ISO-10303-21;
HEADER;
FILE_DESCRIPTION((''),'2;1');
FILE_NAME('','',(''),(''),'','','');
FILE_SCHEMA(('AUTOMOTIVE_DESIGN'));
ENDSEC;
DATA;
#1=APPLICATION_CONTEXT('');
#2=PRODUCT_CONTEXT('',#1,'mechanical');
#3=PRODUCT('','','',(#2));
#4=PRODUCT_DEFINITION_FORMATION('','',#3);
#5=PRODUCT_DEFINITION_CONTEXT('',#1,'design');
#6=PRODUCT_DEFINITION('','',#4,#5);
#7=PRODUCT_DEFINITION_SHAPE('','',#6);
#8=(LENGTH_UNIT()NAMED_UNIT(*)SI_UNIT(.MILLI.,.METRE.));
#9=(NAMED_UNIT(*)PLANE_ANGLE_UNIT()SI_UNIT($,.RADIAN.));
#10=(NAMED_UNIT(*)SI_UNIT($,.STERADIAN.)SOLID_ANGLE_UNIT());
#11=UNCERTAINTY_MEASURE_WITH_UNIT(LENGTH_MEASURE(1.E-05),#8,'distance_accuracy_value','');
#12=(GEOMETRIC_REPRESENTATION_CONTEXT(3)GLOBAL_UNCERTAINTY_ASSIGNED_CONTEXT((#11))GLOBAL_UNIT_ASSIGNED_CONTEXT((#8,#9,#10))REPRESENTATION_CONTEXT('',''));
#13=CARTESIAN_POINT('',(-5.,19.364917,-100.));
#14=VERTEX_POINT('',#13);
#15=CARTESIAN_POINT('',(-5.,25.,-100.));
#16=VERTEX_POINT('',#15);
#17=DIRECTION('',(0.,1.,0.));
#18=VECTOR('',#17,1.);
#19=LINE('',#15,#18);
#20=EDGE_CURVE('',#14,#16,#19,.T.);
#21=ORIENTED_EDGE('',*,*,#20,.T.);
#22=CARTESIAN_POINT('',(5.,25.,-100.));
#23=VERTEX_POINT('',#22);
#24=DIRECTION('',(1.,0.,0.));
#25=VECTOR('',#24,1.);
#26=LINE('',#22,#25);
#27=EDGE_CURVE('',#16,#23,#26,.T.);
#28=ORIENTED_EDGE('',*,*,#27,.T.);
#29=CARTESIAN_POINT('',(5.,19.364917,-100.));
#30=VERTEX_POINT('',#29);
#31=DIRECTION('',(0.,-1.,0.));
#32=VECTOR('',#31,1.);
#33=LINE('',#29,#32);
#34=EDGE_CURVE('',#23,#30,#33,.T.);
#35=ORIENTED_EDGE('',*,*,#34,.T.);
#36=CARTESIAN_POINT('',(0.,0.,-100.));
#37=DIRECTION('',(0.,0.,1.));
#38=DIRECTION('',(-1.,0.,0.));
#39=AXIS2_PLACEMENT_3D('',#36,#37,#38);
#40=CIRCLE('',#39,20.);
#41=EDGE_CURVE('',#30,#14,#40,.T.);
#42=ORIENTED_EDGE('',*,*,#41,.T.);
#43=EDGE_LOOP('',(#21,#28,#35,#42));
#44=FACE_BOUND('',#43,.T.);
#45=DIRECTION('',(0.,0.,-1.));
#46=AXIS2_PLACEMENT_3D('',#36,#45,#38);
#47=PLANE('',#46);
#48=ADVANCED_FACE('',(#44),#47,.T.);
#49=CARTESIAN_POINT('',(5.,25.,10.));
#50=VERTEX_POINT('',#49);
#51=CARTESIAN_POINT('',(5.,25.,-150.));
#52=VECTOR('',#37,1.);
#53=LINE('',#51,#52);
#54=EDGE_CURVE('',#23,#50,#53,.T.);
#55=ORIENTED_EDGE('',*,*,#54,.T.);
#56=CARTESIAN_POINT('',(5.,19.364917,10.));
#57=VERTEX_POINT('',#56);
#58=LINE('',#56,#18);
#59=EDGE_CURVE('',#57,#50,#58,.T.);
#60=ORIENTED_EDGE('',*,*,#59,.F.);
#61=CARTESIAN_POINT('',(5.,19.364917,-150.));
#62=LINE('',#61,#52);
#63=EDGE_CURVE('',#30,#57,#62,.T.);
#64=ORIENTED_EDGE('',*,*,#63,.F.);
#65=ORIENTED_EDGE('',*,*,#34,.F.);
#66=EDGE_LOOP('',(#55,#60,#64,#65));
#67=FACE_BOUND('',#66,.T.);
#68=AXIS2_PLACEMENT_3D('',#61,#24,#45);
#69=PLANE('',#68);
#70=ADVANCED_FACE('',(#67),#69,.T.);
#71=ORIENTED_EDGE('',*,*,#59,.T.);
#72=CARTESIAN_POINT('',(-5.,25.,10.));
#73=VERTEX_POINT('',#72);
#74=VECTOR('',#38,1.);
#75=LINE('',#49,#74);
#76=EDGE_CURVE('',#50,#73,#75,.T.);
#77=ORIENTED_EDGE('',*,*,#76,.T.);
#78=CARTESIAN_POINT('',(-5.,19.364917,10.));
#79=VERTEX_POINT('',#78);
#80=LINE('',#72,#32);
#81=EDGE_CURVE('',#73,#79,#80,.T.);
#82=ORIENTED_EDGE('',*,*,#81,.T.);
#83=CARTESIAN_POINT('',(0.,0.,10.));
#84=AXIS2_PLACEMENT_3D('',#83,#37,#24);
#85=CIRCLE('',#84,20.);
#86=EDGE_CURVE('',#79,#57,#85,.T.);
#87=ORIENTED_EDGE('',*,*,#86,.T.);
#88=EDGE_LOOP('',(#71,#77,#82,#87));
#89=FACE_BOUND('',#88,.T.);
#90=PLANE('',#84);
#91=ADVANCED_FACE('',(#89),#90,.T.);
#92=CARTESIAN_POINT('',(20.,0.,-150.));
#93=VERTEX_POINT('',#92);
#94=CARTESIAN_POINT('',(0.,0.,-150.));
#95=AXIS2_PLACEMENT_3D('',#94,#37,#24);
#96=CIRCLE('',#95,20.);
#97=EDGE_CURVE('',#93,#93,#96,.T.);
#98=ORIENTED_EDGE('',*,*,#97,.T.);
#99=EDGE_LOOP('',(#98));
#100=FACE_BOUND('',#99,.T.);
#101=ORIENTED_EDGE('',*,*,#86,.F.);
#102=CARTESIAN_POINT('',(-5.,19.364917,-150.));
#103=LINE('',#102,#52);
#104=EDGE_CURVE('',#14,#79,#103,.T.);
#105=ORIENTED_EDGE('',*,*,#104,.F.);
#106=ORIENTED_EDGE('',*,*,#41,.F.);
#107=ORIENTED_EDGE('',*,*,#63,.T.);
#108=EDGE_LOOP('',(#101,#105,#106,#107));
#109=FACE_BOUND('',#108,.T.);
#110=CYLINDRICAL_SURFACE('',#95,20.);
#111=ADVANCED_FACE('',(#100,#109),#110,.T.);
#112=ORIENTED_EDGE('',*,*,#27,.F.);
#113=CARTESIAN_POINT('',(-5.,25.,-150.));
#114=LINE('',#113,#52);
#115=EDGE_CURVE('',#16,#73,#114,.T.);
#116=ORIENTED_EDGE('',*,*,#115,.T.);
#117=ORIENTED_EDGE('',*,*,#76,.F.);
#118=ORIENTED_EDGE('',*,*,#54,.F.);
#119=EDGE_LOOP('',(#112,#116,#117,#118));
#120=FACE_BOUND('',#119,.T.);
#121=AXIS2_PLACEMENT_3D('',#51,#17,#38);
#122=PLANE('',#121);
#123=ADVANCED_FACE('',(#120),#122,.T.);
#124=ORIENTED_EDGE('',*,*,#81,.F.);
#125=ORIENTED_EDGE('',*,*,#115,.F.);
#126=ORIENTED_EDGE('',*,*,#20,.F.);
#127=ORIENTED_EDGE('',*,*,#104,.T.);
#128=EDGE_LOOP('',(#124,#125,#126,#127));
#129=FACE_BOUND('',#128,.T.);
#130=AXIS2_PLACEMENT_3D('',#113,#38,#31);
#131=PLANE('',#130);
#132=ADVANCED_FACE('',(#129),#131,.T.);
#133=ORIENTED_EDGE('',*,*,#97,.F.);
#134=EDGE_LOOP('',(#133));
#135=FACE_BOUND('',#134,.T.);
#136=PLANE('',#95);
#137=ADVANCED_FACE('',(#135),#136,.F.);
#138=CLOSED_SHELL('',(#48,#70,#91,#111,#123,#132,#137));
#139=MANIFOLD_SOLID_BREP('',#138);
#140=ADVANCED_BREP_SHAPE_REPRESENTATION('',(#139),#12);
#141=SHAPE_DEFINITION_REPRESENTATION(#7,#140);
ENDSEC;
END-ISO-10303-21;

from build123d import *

# Parameters (mm, degrees)
EXTRUDE1_DEPTH      = 10
EXTRUDE1_DEPTH_BACK = 150
CUT_EXTRUDE1_DEPTH  = 50


with BuildPart() as part:
    # Sketch1 → Extrude1 (new, two sides: drawn at the far end of the back side and taken through both)
    with BuildSketch(Plane.XY.offset(-EXTRUDE1_DEPTH_BACK)):
        with BuildLine():
            Line((-5, 25), (-5, 19.364916731))
            ThreePointArc((-5, 19.364916731), (0, -20), (5, 19.364916731))
            Line((5, 19.364916731), (5, 25))
            Line((5, 25), (-5, 25))
        make_face()
    extrude(amount=EXTRUDE1_DEPTH + EXTRUDE1_DEPTH_BACK)

    # Sketch2 → Cut-Extrude1 (cut)
    with BuildSketch(Plane(origin=(0, 0, -150), x_dir=(-1, 0, 0), z_dir=(0, 0, -1))):
        with BuildLine():
            Line((-5, 19.364916731), (-5, 25))
            Line((-5, 25), (5, 25))
            Line((5, 25), (5, 19.364916731))
            ThreePointArc((5, 19.364916731), (0, 20), (-5, 19.364916731))
        make_face()
    extrude(amount=-CUT_EXTRUDE1_DEPTH, mode=Mode.SUBTRACT)


solid = part.part
